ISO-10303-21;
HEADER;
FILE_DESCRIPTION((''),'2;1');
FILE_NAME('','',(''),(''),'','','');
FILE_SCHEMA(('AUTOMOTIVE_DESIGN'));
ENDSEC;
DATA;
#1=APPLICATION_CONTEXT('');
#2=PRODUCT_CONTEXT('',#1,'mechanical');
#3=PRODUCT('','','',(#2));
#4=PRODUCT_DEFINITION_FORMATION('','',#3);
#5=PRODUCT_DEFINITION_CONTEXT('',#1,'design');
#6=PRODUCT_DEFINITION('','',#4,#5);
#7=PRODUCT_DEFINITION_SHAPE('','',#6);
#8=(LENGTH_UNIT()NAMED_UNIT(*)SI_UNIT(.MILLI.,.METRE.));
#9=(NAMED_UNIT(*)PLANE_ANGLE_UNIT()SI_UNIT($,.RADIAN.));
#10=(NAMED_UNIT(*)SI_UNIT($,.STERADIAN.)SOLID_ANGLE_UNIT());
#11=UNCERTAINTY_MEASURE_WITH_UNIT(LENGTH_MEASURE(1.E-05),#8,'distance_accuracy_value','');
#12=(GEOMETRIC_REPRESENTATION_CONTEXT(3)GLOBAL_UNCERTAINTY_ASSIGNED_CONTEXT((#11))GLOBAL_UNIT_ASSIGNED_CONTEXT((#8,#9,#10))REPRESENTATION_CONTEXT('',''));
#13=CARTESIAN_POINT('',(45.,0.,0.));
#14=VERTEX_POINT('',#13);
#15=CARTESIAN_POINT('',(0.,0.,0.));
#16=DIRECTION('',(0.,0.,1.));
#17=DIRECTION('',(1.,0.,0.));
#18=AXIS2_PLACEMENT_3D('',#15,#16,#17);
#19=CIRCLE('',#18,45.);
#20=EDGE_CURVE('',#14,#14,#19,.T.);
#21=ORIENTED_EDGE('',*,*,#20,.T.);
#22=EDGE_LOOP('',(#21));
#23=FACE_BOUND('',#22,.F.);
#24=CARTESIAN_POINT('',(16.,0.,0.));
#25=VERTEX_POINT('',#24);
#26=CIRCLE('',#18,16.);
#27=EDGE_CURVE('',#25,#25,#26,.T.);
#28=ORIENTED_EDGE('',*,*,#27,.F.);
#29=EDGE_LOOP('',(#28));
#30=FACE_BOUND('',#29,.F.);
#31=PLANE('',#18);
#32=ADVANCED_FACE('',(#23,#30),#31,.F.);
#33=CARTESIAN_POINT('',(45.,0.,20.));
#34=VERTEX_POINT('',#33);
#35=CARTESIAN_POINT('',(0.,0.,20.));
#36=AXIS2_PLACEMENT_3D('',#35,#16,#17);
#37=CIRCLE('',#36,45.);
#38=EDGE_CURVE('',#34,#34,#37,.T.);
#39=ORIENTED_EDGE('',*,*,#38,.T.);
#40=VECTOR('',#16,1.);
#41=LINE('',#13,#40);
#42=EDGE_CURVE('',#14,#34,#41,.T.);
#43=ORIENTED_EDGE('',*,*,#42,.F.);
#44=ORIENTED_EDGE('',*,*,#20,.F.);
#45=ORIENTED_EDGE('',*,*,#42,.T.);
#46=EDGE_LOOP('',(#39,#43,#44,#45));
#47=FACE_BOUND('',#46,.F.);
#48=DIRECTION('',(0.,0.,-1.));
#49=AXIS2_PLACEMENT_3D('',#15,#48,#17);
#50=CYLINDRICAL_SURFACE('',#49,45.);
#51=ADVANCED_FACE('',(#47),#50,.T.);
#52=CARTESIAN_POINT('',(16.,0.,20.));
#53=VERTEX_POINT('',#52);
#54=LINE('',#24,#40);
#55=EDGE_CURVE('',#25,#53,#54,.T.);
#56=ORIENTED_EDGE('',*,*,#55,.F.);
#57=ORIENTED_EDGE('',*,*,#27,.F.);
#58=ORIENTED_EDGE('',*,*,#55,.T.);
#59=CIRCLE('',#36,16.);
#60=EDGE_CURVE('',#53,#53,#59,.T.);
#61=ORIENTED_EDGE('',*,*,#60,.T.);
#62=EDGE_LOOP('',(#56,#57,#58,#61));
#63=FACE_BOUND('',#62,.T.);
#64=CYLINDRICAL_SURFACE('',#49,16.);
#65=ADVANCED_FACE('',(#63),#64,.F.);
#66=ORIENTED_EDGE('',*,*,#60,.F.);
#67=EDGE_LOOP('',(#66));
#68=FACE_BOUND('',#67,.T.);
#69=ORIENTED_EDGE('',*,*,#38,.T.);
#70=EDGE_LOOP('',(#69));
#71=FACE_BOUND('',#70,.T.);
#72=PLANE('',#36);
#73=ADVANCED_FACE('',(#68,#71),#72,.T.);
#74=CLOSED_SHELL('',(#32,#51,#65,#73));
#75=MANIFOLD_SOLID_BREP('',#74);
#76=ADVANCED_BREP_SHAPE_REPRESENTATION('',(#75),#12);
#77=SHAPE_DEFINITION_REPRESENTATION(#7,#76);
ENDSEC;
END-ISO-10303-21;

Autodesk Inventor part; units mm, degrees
ref_plane "YZ Plane" through (0, 0, 0) normal (1, 0, 0) x (0, 1, 0)
ref_plane "XZ Plane" through (0, 0, 0) normal (0, 1, 0) x (-1, 0, 0)
ref_plane "XY Plane" through (0, 0, 0) normal (0, 0, 1) x (1, 0, 0)
sketch "Sketch1" plane through (0, 0, 0) normal (0, 0, 1) x (1, 0, 0)
  circle A0 centre (0, 0) radius 16
  circle A1 centre (0, 0) radius 45
  dimension "d0" = 32
  dimension "d1" = 90
extrude "Extrusion1" add sketch "Sketch1" along normal blind 20
properties part number "hall_sensor"
